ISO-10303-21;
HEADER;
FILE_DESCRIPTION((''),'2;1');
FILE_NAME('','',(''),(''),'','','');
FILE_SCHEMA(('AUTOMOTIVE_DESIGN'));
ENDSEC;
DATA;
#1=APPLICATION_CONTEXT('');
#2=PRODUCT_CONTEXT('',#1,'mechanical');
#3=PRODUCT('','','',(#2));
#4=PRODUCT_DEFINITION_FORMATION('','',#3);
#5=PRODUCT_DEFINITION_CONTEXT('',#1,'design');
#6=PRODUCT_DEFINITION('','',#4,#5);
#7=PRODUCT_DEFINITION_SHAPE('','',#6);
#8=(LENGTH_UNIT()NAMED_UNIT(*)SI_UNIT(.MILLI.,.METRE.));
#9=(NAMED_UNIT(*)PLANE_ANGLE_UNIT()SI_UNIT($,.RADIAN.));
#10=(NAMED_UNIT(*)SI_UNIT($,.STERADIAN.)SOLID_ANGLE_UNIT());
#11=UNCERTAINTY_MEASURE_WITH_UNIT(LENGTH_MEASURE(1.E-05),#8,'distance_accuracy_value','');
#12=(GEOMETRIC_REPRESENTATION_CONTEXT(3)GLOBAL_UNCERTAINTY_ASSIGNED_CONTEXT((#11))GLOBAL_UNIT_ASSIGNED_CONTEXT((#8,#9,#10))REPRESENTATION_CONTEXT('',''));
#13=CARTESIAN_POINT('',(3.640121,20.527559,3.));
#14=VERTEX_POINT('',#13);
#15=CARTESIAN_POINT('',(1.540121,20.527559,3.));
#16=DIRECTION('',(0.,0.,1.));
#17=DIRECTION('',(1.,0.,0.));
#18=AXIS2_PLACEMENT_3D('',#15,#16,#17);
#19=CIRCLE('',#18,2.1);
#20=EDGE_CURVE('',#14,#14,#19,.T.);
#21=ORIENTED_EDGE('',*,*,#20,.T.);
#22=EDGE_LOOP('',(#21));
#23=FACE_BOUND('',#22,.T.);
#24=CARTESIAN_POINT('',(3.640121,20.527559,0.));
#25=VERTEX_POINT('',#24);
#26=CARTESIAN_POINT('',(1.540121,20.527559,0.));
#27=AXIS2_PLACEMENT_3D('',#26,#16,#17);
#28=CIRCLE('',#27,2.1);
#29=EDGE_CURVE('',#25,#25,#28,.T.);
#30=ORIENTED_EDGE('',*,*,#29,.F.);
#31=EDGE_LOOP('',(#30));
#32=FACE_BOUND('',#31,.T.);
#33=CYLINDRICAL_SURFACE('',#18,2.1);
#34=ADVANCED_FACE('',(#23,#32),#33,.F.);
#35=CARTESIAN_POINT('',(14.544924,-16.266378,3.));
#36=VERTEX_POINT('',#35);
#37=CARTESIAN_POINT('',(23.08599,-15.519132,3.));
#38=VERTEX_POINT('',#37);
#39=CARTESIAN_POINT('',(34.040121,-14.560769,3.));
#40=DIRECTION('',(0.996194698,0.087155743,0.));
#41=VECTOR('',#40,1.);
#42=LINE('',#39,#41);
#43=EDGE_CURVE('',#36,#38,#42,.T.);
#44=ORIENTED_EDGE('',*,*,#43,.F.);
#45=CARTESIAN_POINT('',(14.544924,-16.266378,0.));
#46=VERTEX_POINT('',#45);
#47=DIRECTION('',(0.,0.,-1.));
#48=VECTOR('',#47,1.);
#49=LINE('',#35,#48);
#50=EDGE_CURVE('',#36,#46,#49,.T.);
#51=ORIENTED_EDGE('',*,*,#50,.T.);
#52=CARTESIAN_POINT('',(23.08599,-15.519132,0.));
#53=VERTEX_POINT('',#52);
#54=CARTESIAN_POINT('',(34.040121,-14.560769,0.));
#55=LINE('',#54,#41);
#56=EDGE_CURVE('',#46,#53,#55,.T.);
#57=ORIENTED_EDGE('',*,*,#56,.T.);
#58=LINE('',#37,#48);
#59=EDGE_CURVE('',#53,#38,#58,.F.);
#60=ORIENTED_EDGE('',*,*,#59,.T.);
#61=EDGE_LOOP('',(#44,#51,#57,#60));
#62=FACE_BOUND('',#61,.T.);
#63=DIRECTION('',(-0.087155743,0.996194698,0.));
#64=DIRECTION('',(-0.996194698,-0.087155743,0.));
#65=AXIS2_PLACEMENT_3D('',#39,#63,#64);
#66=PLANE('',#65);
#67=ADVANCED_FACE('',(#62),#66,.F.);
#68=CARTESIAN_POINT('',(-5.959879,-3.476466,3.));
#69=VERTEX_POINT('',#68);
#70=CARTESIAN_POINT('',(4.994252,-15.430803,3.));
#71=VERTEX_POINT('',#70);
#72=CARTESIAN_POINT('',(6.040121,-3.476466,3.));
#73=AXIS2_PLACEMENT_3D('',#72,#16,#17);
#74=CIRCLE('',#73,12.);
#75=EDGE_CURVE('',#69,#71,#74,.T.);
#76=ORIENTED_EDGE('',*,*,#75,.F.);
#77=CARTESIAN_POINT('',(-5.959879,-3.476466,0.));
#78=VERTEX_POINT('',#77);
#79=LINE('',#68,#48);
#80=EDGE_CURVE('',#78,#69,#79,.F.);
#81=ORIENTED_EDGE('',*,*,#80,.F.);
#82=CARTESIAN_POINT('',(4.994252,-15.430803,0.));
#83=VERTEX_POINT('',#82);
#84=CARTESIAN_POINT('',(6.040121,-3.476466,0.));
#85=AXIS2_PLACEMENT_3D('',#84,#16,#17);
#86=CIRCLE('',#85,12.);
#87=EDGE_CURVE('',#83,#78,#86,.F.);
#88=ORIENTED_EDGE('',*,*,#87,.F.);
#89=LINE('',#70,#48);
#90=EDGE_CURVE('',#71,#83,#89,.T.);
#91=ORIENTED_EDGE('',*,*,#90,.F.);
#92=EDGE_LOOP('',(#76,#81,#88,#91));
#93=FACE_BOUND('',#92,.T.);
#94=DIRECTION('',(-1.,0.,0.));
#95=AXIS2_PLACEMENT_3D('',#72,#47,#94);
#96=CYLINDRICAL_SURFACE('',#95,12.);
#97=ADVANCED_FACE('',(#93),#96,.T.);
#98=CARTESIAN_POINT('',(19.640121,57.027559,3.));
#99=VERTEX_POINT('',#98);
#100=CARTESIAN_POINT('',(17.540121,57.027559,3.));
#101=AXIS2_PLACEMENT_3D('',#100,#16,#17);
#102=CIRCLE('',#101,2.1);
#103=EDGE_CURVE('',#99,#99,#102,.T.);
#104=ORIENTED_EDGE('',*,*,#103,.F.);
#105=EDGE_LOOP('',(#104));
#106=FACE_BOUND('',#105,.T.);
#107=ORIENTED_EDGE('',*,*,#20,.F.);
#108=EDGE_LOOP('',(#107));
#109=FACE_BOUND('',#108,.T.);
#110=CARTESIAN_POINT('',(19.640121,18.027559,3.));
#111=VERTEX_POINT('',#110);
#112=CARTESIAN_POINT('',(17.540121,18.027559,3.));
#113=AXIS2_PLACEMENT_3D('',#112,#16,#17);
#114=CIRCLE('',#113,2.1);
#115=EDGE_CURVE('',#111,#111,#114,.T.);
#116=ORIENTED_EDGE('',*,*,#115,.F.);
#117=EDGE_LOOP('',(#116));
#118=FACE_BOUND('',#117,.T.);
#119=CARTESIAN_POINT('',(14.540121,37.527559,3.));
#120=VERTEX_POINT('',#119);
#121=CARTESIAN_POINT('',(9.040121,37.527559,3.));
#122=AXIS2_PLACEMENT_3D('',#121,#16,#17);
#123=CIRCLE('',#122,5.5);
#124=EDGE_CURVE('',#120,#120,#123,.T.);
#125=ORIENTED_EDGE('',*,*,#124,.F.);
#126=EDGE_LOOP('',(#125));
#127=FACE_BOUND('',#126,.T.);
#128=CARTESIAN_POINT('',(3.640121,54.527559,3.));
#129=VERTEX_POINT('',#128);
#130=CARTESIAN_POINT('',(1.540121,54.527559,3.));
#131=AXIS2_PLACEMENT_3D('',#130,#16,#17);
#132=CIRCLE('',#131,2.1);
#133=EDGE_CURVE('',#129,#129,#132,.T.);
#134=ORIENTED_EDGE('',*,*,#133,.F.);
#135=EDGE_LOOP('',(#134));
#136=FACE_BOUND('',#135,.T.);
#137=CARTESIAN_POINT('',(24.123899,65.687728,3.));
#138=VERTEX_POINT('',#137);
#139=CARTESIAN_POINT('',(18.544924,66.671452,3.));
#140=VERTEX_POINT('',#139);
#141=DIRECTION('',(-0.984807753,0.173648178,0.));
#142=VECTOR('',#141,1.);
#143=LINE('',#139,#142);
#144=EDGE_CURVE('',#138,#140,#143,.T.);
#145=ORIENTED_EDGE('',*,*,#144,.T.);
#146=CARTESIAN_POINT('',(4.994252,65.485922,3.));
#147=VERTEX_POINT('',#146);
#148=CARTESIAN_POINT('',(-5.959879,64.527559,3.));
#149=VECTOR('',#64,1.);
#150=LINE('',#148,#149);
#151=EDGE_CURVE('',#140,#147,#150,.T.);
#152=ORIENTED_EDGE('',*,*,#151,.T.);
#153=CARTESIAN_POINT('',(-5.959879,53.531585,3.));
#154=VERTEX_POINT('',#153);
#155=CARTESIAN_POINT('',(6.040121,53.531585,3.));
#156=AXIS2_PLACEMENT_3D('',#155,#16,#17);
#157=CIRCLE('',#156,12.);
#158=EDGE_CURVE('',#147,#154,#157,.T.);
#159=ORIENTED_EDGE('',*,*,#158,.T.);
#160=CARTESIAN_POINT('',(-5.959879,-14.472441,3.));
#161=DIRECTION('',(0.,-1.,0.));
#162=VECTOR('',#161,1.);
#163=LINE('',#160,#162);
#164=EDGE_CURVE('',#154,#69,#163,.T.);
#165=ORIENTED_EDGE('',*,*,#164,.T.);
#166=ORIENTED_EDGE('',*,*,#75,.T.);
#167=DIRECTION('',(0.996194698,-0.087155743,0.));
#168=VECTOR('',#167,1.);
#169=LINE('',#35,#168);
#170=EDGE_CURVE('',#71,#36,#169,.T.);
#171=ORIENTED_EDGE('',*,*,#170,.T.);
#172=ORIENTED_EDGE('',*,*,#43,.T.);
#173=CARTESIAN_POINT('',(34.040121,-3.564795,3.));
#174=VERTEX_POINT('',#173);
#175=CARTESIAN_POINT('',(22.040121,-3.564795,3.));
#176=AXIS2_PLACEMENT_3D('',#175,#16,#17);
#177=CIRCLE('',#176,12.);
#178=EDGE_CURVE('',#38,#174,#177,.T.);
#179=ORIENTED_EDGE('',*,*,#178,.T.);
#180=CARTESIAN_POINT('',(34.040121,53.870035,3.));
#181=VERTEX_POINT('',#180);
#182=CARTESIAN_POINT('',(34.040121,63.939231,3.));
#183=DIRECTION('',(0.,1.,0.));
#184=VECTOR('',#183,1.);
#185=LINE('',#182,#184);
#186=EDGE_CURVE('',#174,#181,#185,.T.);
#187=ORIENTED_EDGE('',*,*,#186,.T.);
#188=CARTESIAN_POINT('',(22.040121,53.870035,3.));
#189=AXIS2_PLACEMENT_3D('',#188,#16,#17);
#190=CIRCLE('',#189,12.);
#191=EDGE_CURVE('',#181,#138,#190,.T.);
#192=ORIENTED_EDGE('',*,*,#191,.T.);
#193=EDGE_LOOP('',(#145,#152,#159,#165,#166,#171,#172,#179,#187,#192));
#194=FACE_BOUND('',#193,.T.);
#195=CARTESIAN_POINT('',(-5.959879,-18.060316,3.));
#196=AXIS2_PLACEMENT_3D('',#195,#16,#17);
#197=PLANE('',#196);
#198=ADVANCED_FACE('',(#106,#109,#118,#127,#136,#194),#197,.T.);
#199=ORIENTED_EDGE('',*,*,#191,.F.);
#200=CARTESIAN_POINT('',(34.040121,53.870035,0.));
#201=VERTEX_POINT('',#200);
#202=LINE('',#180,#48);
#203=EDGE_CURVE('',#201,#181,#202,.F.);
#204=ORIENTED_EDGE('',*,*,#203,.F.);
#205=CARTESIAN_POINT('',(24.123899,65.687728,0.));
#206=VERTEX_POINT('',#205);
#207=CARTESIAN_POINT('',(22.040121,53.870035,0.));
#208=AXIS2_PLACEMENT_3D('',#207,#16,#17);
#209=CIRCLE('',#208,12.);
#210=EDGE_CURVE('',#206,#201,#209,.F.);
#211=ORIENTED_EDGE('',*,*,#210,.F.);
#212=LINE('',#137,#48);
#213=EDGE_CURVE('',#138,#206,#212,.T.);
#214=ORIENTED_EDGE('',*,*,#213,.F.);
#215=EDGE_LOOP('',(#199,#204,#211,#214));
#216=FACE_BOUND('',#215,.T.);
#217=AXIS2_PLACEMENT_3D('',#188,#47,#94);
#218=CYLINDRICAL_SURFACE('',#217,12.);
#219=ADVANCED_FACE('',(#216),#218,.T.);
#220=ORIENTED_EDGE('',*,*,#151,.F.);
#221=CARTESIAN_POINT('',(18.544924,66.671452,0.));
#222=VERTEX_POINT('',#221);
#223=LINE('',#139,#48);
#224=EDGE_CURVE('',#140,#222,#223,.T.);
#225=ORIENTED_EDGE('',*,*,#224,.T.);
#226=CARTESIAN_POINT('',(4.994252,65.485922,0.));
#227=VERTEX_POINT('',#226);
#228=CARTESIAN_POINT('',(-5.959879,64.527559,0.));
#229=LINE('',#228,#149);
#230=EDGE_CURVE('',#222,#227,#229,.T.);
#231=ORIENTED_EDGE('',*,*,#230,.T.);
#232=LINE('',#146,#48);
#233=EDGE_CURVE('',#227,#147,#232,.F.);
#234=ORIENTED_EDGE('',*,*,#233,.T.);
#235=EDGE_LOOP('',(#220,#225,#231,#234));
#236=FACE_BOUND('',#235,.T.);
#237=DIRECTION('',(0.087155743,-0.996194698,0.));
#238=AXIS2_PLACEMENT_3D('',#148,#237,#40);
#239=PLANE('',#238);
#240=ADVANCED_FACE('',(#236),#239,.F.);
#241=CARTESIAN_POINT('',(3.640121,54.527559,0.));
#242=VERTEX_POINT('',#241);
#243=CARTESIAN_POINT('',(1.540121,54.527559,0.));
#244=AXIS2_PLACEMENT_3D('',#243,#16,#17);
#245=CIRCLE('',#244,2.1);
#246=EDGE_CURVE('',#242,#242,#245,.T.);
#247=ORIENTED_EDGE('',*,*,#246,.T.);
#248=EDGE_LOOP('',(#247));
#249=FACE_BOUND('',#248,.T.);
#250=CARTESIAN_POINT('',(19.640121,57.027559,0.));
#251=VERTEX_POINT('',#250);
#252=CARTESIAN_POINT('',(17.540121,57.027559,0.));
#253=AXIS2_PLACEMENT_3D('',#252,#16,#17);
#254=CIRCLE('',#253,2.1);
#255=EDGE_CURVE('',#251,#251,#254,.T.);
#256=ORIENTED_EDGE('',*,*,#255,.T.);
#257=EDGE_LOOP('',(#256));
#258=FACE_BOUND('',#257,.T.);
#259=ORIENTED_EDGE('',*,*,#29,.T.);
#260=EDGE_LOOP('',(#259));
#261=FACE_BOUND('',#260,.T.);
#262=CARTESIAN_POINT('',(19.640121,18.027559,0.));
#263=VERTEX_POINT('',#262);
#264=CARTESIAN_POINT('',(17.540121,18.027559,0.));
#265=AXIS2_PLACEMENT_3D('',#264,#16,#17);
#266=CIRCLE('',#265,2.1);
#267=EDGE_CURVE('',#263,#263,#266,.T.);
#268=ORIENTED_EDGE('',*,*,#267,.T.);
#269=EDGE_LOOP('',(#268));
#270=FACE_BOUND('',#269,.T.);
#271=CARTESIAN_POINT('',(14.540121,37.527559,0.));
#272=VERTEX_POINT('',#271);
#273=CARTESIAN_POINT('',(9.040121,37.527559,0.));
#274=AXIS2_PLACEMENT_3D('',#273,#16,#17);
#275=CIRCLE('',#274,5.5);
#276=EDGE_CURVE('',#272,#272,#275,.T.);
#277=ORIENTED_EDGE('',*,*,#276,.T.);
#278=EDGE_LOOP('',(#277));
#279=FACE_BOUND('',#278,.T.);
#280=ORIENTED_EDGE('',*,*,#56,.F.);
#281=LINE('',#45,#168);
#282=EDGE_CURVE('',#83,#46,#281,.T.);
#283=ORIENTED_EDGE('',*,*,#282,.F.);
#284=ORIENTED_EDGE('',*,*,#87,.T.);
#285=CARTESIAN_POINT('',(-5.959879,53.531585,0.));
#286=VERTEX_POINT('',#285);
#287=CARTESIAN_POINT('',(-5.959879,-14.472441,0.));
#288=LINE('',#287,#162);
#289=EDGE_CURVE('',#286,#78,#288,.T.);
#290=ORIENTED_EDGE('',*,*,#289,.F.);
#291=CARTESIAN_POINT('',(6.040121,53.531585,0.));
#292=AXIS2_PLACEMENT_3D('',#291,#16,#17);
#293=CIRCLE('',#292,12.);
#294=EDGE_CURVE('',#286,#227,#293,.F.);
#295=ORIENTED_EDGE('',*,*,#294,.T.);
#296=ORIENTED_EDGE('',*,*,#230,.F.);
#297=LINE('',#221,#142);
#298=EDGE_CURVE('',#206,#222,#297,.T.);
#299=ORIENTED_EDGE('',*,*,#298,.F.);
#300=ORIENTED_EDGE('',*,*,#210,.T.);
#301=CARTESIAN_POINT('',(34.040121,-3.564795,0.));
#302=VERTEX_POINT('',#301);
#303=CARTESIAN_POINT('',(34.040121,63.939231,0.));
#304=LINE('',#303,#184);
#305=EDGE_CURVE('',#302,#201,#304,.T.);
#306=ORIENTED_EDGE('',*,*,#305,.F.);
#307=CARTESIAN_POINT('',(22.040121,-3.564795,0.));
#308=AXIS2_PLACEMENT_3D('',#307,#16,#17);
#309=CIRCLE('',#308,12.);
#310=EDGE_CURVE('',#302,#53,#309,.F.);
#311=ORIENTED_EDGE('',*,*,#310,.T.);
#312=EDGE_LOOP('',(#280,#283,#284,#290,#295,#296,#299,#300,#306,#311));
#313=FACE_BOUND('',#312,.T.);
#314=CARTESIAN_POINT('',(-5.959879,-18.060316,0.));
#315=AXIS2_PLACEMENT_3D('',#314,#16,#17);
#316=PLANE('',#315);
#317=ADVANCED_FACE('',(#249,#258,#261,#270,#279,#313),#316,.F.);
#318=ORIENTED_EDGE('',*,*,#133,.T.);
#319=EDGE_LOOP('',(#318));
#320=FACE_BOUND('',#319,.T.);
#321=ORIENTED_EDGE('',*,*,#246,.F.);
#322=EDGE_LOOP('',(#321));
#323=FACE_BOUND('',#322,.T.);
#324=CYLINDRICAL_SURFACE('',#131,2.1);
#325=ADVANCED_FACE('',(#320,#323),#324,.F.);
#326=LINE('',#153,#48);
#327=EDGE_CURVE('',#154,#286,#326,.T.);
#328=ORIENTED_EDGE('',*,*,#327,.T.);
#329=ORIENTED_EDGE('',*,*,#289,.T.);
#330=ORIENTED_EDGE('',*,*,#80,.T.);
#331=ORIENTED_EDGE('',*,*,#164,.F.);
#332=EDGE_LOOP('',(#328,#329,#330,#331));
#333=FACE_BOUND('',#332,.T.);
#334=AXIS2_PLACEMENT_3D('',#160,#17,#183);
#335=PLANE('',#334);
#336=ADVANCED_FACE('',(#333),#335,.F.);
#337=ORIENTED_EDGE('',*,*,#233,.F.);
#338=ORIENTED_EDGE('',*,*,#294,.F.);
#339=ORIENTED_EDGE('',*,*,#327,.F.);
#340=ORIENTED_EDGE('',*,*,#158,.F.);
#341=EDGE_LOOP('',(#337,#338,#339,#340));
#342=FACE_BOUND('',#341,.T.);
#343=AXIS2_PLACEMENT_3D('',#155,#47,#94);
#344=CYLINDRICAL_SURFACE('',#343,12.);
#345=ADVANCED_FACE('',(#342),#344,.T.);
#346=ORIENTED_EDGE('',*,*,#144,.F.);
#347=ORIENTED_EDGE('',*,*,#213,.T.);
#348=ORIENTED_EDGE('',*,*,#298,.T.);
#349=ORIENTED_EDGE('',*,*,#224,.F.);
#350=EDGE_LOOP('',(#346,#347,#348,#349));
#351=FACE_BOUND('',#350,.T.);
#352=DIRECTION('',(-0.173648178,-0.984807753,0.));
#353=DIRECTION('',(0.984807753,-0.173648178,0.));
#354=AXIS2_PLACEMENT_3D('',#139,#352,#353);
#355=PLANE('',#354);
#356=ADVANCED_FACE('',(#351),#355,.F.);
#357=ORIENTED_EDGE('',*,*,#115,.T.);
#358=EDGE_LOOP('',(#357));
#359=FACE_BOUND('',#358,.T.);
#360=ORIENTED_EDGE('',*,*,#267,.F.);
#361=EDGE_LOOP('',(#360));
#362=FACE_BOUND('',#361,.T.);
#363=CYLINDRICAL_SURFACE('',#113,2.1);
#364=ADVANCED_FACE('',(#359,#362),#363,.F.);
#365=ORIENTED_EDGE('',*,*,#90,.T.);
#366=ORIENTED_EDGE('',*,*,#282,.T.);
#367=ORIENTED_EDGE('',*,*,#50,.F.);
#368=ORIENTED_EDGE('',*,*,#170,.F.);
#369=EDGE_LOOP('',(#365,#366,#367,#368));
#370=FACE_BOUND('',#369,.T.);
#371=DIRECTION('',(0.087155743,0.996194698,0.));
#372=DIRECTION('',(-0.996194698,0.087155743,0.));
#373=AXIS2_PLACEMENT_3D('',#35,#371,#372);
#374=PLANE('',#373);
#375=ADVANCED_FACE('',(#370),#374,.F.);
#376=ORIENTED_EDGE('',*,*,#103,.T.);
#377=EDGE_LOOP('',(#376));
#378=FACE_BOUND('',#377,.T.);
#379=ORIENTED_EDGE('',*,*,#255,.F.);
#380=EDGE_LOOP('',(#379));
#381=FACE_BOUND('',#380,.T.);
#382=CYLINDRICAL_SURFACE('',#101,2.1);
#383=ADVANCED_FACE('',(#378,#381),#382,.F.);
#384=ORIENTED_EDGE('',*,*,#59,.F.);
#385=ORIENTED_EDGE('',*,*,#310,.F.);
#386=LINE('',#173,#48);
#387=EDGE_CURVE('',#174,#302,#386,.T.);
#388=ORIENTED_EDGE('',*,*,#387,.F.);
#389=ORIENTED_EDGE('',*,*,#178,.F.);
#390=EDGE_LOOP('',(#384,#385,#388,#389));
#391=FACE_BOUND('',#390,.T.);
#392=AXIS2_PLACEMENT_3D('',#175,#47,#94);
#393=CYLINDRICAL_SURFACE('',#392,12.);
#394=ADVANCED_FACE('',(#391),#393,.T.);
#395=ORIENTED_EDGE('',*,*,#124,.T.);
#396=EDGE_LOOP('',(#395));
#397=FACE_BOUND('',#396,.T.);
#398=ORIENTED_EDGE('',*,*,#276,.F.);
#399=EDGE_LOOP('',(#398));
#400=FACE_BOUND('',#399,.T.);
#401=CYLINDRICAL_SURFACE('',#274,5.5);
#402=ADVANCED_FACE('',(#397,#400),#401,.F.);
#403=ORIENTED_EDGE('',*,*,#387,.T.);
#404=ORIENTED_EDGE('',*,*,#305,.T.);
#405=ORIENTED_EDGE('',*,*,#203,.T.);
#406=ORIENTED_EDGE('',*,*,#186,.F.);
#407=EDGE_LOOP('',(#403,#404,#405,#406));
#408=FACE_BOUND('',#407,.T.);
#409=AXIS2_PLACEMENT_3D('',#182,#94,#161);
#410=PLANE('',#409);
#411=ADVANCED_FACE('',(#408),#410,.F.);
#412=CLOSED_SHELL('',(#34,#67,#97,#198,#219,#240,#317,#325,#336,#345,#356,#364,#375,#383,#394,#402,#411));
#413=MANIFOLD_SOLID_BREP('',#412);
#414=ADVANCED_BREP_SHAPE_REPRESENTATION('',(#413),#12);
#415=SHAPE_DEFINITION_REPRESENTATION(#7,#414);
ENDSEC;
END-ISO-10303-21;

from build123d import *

# Parameters (mm, degrees)
EXTRUSION1_DEPTH          = 3
ESQUISSE3_R               = 5.5
ENL_V_MAT_EXTRU_1_DEPTH   = 4
CONG_1_R                  = 12
TROU_TARAUD_M5X0_82_D     = 4.2
TROU_TARAUD_M5X0_82_DEPTH = 3
TROU_TARAUD_M5X0_82_TIP   = 1.2618073


with BuildPart() as part:
    # Esquisse2 → Extrusion1 (new body)
    with BuildSketch(Plane.XY):
        Polygon((-5.959878762, 64.527559487), (18.544923687, 66.671451903), (34.040121238, 63.939230504), (34.040121238, -14.560769496), (14.544923687, -16.266378275), (-5.959878762, -14.472440513), align=None)
    extrude(amount=EXTRUSION1_DEPTH)

    # Esquisse3 → Enlèv. mat.-Extru.1 (cut, through all)
    with BuildSketch(Plane.XY.offset(3)):
        with Locations((9.040121238, 37.527559487)):
            Circle(ESQUISSE3_R)
    extrude(amount=-ENL_V_MAT_EXTRU_1_DEPTH, mode=Mode.SUBTRACT)

    # Congé1
    cong_1_edges = [part.edges().sort_by_distance(p)[0] for p in [
        (-5.959878762, 64.527559487, 1.5),
        (-5.959878762, -14.472440513, 1.5),
        (34.040121238, 63.939230504, 1.5),
        (34.040121238, -14.560769496, 1.5),
    ]]
    fillet(cong_1_edges, radius=CONG_1_R)

    # Trou taraudé M5x0.82
    with Locations(Plane(origin=(1.540121238, 54.527559487, 3), x_dir=(1, 0, 0), z_dir=(0, 0, 1))):
        with Locations((0, 0), (16, 2.5), (0, -34), (16, -36.5)):
            Hole(TROU_TARAUD_M5X0_82_D / 2, depth=TROU_TARAUD_M5X0_82_DEPTH)
            with Locations((0, 0, -(TROU_TARAUD_M5X0_82_DEPTH + TROU_TARAUD_M5X0_82_TIP / 2))):  # 118° drill point
                Cone(0, TROU_TARAUD_M5X0_82_D / 2, TROU_TARAUD_M5X0_82_TIP, mode=Mode.SUBTRACT)


solid = part.part
